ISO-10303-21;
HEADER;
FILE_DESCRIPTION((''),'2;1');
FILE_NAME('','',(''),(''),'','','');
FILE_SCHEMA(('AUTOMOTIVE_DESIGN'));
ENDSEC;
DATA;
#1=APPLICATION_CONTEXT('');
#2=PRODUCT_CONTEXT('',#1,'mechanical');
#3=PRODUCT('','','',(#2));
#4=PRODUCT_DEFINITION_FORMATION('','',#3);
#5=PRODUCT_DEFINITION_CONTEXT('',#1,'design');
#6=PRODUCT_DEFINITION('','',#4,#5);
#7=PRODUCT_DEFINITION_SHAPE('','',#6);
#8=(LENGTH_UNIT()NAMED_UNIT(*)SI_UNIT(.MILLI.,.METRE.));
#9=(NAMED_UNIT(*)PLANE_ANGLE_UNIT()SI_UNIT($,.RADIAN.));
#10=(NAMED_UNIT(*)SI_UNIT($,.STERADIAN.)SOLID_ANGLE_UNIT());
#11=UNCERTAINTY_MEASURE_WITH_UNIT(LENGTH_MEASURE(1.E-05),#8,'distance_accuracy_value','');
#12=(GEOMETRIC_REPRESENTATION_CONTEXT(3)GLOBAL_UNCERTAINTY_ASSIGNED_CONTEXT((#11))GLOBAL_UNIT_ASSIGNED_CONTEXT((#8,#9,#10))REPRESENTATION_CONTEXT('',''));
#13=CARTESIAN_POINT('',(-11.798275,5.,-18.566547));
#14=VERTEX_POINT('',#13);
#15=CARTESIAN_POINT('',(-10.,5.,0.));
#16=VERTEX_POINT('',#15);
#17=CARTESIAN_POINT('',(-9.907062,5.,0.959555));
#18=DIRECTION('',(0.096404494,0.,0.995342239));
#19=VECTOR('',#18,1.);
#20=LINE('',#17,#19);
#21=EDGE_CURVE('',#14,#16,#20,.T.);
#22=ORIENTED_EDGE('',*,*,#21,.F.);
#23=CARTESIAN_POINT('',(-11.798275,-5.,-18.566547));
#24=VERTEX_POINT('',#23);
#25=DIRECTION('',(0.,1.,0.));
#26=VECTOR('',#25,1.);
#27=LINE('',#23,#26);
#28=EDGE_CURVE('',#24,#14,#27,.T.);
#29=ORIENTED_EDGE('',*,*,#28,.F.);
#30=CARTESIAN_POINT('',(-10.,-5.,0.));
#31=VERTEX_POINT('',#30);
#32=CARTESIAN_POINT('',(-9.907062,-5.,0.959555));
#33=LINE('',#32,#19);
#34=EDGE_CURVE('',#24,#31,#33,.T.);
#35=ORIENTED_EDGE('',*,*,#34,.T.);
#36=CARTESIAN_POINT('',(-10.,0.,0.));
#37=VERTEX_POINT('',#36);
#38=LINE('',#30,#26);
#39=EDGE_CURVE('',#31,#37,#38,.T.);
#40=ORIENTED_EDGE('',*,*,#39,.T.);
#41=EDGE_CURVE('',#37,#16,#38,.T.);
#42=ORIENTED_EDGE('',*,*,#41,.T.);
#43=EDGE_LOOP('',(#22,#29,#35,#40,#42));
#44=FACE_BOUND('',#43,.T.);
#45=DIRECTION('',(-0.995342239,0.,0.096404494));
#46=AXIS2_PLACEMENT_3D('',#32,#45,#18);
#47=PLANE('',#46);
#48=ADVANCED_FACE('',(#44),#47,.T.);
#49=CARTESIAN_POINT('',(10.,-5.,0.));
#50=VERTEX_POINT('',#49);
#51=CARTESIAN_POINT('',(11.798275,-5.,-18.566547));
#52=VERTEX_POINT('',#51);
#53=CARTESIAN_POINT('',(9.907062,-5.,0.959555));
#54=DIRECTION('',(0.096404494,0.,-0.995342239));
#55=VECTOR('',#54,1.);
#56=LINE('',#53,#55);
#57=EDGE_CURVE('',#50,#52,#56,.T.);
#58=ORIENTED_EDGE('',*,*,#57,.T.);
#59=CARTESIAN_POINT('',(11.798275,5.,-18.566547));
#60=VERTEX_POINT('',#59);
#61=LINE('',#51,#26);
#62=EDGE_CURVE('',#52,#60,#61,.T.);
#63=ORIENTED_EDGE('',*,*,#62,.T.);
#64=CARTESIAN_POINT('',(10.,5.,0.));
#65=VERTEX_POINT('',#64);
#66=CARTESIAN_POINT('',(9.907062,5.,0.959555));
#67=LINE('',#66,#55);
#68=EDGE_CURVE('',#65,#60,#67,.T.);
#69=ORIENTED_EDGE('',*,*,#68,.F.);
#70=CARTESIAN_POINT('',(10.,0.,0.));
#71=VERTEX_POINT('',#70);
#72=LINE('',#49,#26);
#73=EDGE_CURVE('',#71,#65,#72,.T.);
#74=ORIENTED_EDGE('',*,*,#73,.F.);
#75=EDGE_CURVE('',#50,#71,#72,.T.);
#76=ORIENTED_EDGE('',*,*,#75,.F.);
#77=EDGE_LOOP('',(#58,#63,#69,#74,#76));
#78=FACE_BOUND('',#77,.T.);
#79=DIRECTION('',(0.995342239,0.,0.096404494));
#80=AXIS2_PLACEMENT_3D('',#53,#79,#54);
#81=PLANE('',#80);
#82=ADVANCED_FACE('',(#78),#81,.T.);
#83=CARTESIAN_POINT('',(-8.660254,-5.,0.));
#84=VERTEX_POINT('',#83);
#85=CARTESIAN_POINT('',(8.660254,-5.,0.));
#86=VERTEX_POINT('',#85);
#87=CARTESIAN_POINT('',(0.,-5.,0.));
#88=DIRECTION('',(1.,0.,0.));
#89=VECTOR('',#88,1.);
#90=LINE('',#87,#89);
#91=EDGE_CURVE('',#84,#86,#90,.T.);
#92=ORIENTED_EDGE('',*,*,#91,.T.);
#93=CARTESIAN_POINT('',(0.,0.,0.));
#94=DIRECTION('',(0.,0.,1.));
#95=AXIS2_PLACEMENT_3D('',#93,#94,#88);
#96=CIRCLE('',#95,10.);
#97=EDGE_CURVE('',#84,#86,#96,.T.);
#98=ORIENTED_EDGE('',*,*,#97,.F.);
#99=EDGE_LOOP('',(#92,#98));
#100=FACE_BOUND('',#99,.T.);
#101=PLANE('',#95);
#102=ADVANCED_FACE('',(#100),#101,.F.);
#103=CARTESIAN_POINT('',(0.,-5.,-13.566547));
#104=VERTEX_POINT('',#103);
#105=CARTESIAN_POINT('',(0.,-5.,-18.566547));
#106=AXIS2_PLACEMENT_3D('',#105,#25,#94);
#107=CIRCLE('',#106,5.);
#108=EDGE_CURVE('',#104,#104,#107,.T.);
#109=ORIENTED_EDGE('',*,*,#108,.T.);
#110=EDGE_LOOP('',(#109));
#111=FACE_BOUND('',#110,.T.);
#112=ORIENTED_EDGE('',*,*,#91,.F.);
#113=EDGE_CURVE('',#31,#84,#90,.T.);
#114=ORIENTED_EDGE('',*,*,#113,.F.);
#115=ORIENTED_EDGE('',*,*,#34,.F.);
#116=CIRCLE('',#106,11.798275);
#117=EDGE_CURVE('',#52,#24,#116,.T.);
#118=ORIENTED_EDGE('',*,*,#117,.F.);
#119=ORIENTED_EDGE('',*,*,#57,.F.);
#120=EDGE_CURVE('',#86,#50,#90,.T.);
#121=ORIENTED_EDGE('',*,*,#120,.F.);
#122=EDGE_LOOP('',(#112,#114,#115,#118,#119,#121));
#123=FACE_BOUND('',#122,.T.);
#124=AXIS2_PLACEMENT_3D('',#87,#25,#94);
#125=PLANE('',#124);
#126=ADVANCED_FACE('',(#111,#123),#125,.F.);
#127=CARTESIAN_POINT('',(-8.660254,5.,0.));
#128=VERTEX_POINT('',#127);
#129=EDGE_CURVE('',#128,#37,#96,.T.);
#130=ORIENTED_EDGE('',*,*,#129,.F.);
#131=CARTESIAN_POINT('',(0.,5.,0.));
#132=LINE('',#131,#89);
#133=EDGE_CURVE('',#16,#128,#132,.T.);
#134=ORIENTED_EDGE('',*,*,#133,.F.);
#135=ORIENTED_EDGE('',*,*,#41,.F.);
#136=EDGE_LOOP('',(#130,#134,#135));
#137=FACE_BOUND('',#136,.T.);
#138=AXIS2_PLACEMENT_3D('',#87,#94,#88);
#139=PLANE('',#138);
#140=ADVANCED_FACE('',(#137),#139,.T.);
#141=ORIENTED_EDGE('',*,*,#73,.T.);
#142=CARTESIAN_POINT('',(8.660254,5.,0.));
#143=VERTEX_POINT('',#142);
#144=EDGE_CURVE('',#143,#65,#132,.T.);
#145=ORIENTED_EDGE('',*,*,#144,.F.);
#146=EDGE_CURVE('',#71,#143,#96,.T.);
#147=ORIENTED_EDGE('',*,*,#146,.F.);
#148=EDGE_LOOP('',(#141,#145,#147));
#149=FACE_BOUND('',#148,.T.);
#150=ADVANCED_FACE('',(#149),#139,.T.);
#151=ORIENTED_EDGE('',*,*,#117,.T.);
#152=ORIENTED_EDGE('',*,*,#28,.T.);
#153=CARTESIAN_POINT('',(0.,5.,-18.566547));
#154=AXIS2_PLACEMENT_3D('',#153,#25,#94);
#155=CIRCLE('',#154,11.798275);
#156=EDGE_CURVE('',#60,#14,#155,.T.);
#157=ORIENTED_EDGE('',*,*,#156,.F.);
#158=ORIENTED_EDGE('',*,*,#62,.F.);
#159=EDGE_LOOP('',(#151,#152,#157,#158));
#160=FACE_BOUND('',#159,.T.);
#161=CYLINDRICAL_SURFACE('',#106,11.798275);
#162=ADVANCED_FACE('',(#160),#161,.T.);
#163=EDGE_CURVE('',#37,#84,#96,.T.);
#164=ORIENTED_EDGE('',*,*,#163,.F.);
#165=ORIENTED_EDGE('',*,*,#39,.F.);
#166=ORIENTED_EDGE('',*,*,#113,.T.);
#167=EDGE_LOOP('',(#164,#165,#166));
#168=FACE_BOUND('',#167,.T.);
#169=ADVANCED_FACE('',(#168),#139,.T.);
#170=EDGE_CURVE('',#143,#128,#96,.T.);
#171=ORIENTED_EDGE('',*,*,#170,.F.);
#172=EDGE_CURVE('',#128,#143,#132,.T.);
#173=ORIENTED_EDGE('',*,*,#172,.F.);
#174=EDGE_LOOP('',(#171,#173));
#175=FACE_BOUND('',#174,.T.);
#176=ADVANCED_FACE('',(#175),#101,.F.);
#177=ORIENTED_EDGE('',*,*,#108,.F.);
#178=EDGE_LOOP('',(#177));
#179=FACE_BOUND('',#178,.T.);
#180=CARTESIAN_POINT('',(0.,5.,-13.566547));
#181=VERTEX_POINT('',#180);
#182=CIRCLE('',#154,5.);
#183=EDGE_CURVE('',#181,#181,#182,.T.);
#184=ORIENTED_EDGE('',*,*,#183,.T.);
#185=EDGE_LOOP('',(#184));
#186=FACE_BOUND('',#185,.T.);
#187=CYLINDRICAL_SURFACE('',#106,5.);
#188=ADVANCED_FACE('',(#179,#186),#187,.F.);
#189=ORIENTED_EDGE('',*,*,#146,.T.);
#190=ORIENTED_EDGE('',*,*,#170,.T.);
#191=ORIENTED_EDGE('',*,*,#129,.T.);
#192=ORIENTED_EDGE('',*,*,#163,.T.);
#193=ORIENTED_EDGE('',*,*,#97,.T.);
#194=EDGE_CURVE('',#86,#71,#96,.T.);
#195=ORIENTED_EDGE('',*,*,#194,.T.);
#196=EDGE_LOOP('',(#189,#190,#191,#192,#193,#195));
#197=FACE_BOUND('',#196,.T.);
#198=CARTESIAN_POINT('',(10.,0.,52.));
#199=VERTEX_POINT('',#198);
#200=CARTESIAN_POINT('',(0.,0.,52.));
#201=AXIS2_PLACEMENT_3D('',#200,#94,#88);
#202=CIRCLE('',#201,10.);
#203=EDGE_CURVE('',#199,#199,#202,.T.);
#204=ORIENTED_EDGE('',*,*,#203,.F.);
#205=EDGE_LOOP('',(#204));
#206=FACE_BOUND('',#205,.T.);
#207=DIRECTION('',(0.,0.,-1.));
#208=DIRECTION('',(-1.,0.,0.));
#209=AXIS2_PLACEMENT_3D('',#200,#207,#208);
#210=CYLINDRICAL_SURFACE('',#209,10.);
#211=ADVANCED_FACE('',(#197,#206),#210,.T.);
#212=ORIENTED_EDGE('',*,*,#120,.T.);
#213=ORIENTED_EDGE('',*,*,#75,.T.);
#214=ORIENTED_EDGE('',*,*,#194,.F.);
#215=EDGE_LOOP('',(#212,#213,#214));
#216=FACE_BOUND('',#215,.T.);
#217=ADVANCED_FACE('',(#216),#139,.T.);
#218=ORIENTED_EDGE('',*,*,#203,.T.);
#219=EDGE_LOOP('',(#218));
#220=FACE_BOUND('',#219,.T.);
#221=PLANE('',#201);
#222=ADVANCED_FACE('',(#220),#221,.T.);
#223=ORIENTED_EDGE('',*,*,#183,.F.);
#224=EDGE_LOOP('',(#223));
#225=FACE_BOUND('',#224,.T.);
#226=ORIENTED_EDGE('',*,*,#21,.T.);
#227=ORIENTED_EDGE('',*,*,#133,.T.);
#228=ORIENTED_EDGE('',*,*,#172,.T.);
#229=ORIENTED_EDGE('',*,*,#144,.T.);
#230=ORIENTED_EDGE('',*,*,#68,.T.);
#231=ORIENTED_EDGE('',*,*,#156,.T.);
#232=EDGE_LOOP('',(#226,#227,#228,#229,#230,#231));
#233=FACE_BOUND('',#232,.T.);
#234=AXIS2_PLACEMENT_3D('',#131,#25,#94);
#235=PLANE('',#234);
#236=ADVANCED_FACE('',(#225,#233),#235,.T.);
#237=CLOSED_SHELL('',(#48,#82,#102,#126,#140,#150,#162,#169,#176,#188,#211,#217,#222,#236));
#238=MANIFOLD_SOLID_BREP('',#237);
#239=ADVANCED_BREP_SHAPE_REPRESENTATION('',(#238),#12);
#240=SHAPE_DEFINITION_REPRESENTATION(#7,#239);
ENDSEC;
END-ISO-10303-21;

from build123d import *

# Parameters (mm, degrees)
SKETCH_1_R           = 10
EXTRUDE_1_DEPTH      = 52
EXTRUDE_2_DEPTH      = 5
EXTRUDE_2_DEPTH_BACK = 5
SKETCH_2_R           = 5


with BuildPart() as part:
    # Эскиз1 → Бобышка-Вытянуть1 (new body)
    with BuildSketch(Plane.XY):
        Circle(SKETCH_1_R)
    extrude(amount=EXTRUDE_1_DEPTH)

    # Эскиз2 → Бобышка-Вытянуть2 (add, two sides: drawn at the far end of the back side and taken through both)
    with BuildSketch(Plane(origin=(0, 0, 0), x_dir=(1, 0, 0), z_dir=(0, 1, 0)).offset(-EXTRUDE_2_DEPTH_BACK)):
        with BuildLine():
            ThreePointArc((11.798274507, 18.566546971), (0, 30.364821478), (-11.798274507, 18.566546971))
            Line((-11.798274507, 18.566546971), (-11.578972273, 16.302329128))
            Line((-11.578972273, 16.302329128), (-10, 0))
            Line((-10, 0), (10, 0))
            Line((10, 0), (11.578972273, 16.302329128))
            Line((11.578972273, 16.302329128), (11.798274507, 18.566546971))
        make_face()
        with Locations((0, 18.566546971)):
            Circle(SKETCH_2_R, mode=Mode.SUBTRACT)
    extrude(amount=EXTRUDE_2_DEPTH + EXTRUDE_2_DEPTH_BACK)


solid = part.part
